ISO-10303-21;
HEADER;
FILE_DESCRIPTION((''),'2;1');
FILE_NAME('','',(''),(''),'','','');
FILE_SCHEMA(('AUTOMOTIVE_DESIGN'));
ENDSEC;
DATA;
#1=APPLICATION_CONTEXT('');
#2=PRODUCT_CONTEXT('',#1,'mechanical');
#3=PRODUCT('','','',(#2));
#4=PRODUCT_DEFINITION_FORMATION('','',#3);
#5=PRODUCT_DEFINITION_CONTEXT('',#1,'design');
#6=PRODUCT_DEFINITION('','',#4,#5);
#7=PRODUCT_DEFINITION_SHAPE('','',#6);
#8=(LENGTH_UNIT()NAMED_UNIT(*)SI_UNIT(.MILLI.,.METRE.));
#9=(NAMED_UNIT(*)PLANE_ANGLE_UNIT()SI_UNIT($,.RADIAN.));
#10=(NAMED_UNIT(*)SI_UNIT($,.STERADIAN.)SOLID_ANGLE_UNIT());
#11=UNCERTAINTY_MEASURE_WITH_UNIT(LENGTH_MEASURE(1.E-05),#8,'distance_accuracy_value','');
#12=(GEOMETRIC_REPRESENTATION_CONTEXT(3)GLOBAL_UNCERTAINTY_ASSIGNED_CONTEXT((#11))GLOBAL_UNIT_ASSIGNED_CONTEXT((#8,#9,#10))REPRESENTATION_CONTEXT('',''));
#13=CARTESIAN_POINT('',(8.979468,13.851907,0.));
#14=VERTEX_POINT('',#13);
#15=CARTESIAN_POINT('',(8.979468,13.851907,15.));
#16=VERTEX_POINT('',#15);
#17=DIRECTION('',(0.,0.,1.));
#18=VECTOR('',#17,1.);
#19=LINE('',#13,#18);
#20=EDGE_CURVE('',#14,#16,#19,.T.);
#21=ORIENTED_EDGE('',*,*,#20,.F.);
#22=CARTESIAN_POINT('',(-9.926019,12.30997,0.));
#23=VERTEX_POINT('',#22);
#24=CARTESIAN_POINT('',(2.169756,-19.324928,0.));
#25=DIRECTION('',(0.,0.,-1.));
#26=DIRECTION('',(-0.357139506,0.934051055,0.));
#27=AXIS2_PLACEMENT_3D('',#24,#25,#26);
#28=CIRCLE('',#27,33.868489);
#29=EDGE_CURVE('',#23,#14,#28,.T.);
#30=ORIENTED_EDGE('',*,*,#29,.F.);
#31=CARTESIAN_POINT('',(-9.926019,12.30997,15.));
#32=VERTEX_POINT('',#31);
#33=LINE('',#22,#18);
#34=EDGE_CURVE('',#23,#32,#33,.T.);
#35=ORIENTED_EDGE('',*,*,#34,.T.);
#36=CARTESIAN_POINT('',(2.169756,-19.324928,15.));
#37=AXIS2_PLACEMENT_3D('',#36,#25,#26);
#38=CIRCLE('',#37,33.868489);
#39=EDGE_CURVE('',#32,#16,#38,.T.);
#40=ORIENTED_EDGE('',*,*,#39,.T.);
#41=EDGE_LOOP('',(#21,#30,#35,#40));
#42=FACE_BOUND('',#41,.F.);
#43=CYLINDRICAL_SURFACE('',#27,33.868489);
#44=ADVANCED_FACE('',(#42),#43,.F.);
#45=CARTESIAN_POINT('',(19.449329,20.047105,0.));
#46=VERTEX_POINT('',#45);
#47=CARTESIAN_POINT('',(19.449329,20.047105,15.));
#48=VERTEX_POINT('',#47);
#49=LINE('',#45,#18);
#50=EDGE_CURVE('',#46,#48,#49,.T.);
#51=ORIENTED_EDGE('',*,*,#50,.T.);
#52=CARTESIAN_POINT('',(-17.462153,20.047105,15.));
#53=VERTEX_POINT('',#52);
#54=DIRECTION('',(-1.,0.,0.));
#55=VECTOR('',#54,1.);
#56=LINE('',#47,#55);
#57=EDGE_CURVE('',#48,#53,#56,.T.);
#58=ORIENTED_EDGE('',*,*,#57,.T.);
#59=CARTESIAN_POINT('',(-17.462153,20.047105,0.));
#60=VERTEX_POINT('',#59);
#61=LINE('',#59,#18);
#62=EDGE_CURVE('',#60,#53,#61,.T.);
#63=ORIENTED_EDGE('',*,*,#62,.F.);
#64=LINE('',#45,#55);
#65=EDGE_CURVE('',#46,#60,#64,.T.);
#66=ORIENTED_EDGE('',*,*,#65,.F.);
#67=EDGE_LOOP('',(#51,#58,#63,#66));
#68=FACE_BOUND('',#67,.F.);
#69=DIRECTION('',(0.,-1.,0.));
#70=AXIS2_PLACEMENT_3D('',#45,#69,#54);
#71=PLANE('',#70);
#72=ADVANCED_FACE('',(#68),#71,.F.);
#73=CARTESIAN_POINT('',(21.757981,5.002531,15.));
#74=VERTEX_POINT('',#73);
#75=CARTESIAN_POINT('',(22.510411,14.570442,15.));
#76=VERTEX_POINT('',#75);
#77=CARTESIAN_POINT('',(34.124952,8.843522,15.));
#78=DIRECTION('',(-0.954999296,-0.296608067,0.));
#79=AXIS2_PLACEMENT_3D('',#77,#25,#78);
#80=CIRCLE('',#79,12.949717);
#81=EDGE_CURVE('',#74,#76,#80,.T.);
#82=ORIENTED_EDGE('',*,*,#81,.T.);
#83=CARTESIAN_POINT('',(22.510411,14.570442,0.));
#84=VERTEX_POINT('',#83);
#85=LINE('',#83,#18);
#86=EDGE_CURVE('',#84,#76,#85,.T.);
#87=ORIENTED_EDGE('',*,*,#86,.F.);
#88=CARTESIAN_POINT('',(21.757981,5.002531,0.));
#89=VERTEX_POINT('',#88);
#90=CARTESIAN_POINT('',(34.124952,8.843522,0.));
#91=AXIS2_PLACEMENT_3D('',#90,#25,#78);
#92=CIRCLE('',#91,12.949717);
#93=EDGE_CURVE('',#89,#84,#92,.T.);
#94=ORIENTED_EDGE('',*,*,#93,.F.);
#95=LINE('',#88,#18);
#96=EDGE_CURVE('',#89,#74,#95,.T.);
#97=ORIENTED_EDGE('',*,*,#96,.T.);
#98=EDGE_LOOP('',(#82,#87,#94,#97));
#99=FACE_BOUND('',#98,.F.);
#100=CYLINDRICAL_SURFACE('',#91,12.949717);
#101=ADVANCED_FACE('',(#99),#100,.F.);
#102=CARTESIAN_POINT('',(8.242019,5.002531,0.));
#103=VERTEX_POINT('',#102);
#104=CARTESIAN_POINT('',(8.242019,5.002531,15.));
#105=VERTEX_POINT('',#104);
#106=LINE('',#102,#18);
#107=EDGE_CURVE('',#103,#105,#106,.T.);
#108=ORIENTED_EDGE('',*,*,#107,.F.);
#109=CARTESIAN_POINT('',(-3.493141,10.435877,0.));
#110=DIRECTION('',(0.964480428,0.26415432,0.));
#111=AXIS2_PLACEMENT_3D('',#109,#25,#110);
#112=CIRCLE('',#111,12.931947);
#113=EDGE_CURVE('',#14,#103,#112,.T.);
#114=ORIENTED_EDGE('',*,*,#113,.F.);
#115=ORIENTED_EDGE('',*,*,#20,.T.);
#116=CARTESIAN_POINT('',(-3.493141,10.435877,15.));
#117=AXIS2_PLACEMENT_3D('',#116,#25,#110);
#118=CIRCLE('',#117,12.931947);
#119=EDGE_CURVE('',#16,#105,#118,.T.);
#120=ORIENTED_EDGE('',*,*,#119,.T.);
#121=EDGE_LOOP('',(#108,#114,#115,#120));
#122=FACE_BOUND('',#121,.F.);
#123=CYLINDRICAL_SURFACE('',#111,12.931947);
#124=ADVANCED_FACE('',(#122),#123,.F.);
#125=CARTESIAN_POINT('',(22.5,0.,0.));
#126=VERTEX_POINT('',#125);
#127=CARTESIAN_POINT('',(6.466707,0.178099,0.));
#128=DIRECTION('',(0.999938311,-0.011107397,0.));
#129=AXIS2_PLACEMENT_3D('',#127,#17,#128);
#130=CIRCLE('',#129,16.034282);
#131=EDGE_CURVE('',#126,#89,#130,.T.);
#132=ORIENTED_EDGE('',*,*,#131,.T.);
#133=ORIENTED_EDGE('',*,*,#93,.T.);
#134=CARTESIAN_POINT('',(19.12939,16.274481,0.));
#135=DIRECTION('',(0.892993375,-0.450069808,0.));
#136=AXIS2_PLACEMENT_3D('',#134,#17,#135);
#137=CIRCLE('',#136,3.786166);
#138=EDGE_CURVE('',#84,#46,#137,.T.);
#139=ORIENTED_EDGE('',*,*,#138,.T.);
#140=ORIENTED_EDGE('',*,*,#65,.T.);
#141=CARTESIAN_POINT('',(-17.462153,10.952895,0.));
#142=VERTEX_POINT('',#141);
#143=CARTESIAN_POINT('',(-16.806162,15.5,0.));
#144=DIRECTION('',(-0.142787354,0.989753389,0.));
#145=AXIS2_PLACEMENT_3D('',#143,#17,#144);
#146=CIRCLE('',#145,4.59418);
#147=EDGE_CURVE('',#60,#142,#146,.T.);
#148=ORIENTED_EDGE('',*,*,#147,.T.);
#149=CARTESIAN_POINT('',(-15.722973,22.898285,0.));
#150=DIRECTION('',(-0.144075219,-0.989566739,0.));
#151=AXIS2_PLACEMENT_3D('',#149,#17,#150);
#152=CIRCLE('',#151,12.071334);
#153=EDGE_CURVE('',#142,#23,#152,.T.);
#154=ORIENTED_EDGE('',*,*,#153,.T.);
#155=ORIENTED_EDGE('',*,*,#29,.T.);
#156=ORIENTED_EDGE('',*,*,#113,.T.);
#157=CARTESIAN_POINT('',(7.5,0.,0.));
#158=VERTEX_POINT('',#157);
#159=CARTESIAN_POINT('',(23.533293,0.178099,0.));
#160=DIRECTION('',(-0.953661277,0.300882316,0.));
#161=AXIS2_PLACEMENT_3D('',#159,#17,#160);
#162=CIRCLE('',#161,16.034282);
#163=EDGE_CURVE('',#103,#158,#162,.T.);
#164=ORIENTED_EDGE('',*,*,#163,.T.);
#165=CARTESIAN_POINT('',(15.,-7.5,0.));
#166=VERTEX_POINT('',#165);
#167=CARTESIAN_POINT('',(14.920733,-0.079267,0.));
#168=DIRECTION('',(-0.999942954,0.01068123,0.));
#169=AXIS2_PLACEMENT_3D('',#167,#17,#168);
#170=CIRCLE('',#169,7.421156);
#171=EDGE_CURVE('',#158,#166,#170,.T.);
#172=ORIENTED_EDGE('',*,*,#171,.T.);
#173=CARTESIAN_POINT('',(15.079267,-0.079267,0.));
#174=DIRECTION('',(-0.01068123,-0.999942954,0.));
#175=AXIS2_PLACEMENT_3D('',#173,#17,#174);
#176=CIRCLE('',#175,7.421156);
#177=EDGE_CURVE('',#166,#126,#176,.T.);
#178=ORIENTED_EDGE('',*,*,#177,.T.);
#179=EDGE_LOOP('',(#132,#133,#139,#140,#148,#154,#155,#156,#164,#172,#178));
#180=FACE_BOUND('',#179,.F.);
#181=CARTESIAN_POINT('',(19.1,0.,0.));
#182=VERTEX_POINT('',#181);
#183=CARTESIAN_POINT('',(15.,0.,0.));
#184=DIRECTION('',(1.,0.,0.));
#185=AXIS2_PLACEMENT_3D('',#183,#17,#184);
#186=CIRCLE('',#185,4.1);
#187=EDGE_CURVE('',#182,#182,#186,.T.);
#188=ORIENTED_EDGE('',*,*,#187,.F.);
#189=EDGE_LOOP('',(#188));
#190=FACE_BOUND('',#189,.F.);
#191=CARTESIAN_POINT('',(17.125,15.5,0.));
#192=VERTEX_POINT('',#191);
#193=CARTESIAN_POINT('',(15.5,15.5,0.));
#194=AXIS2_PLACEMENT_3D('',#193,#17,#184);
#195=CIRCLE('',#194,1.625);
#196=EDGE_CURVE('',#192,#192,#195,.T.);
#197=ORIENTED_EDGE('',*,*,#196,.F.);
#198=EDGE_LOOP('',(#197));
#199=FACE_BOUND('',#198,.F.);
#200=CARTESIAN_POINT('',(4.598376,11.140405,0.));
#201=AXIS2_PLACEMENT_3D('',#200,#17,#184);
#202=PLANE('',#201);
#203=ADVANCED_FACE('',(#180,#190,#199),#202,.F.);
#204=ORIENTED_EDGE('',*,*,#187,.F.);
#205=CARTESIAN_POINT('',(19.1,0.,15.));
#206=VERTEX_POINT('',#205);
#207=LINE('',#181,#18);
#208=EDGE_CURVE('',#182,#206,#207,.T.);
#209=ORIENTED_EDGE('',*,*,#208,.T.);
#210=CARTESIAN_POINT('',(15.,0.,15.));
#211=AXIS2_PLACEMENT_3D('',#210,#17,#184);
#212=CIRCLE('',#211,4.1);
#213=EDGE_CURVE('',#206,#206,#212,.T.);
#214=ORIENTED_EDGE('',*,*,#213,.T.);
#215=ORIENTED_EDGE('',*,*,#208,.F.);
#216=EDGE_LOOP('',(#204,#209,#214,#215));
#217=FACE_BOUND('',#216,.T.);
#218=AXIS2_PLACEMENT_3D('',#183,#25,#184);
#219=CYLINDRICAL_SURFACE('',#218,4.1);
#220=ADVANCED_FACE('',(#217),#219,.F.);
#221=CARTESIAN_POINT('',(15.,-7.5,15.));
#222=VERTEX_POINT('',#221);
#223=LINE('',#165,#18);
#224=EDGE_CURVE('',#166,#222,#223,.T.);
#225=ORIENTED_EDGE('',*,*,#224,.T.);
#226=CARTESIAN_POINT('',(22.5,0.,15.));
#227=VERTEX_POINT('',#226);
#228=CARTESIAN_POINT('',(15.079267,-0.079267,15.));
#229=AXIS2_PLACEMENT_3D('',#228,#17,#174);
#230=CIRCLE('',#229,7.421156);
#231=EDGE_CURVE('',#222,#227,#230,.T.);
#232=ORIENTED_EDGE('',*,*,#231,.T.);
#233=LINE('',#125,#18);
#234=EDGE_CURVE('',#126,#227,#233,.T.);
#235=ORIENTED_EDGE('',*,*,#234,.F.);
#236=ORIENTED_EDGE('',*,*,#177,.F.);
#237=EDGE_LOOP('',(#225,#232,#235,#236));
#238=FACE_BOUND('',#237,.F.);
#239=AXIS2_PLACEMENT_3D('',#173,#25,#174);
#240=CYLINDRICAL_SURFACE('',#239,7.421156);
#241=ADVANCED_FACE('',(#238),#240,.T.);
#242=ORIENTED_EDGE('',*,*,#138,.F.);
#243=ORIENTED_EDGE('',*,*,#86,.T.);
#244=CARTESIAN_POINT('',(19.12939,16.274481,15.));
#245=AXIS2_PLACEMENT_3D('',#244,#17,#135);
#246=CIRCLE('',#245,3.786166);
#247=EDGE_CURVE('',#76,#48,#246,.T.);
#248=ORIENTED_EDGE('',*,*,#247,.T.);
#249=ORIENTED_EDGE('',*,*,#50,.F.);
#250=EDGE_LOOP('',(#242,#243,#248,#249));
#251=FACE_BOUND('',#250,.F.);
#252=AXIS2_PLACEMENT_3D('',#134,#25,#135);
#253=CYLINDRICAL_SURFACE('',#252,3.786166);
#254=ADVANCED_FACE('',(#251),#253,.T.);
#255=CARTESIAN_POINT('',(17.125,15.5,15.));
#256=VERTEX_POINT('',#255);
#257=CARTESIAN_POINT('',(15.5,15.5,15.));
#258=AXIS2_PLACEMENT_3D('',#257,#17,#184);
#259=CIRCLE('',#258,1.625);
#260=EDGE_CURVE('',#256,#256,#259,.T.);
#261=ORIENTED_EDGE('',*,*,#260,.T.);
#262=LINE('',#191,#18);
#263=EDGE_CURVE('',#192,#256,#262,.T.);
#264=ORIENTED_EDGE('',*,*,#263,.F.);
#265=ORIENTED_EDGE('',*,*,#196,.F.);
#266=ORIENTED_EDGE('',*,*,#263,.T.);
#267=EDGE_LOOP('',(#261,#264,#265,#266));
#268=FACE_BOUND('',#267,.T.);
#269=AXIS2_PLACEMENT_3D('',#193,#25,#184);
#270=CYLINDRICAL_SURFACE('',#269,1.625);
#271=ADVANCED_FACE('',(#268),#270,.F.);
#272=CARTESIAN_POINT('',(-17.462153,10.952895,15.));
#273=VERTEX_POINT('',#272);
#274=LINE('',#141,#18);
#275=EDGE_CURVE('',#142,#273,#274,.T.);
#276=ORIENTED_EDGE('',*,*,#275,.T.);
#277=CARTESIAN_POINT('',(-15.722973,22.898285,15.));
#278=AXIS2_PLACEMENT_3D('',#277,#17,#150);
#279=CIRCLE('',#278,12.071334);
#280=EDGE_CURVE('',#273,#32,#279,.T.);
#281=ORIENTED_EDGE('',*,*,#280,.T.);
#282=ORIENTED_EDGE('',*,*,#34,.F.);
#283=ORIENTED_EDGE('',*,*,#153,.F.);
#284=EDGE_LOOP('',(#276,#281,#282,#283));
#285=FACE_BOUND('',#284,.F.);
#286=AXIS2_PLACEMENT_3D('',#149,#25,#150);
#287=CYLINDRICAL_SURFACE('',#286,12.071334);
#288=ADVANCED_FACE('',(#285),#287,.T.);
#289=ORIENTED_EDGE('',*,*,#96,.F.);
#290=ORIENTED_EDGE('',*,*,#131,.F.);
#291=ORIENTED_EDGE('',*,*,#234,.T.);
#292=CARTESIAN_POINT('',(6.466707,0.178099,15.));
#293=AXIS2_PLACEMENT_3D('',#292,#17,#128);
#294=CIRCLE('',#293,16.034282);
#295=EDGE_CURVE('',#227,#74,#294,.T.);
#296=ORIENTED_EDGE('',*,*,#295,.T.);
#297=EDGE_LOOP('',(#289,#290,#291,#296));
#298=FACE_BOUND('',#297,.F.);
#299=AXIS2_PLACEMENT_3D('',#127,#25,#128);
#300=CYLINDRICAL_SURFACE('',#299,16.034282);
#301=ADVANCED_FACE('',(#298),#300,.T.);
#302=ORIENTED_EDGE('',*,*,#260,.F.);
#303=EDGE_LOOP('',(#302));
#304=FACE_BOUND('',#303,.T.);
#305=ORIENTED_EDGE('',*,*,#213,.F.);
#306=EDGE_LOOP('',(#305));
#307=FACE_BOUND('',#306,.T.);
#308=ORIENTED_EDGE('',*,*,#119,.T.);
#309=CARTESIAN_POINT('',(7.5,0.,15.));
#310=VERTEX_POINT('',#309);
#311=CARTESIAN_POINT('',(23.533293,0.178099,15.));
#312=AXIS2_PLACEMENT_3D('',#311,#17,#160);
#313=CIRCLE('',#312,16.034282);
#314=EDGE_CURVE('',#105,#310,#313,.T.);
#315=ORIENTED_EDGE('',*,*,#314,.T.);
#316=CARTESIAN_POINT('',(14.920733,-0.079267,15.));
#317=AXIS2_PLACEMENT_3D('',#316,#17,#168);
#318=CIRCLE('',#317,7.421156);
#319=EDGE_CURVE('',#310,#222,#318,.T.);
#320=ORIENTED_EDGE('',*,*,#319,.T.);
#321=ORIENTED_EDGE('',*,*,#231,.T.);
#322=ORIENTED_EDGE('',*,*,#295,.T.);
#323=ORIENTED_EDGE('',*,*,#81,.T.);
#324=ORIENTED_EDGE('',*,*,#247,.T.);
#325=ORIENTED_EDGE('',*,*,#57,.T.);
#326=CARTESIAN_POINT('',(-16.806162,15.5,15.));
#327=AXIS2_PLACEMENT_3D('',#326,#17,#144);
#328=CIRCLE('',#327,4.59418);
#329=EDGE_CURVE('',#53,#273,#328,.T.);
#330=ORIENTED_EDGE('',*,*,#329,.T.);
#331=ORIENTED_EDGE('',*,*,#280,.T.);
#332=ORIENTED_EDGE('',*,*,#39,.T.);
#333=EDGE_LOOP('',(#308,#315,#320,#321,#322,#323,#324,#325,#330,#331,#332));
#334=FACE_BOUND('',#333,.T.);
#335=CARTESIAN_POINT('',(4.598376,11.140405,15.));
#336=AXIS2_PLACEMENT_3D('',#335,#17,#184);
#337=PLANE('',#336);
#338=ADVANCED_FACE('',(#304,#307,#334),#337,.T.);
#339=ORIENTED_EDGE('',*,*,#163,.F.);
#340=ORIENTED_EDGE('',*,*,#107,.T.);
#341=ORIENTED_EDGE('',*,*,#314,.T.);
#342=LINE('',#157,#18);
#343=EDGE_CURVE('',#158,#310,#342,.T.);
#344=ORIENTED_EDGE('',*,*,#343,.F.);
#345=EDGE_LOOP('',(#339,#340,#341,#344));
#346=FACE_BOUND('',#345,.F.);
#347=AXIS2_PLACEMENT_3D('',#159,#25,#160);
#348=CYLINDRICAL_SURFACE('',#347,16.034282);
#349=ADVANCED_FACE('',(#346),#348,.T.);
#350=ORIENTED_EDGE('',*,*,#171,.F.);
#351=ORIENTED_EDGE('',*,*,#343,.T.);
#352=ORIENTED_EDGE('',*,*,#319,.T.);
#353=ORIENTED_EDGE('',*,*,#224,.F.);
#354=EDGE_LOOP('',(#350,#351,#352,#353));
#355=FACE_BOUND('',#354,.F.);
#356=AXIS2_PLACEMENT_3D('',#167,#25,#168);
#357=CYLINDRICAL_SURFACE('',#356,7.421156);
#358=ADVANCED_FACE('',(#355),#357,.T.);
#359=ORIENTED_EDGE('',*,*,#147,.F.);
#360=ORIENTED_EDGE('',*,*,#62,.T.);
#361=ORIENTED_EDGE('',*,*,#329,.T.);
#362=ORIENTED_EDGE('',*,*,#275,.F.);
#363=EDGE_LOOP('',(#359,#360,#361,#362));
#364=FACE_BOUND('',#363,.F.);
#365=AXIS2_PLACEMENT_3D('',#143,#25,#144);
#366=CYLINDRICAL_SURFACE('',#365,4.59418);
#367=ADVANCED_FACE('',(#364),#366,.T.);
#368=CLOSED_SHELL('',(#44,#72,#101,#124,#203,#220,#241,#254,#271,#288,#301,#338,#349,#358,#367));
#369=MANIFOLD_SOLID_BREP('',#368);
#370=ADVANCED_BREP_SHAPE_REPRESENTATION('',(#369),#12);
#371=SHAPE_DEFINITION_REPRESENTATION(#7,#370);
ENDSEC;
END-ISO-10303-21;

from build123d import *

# Parameters (mm, degrees)
F0_R     = 4.1
F0_R_2   = 1.625
F1_DEPTH = 15


with BuildPart() as f1:
    # F0 (on Top) → F1 (new body)
    with BuildSketch(Plane.XY):
        with BuildLine():
            Line((19.449329, 20.047105), (-17.462153, 20.047105))
            ThreePointArc((-17.462153, 20.047105), (-21.400342, 15.5), (-17.462153, 10.952895))
            ThreePointArc((-17.462153, 10.952895), (-13.583628, 11.018037), (-9.926019, 12.30997))
            ThreePointArc((-9.926019, 12.30997), (-0.583426, 14.431472), (8.979468, 13.851907))
            ThreePointArc((8.979468, 13.851907), (9.394135, 9.361936), (8.242019, 5.002531))
            ThreePointArc((8.242019, 5.002531), (7.672541, 2.530704), (7.5, 0))
            ThreePointArc((7.5, 0), (9.673183, -5.326817), (15, -7.5))
            ThreePointArc((15, -7.5), (20.326817, -5.326817), (22.5, 0))
            ThreePointArc((22.5, 0), (22.327459, 2.530704), (21.757981, 5.002531))
            ThreePointArc((21.757981, 5.002531), (21.215093, 9.858766), (22.510411, 14.570442))
            ThreePointArc((22.510411, 14.570442), (22.434346, 18.121727), (19.449329, 20.047105))
        make_face()
        with Locations((15, 0)):
            Circle(F0_R, mode=Mode.SUBTRACT)
        with Locations((15.5, 15.5)):
            Circle(F0_R_2, mode=Mode.SUBTRACT)
    extrude(amount=F1_DEPTH)


solid = f1.part
